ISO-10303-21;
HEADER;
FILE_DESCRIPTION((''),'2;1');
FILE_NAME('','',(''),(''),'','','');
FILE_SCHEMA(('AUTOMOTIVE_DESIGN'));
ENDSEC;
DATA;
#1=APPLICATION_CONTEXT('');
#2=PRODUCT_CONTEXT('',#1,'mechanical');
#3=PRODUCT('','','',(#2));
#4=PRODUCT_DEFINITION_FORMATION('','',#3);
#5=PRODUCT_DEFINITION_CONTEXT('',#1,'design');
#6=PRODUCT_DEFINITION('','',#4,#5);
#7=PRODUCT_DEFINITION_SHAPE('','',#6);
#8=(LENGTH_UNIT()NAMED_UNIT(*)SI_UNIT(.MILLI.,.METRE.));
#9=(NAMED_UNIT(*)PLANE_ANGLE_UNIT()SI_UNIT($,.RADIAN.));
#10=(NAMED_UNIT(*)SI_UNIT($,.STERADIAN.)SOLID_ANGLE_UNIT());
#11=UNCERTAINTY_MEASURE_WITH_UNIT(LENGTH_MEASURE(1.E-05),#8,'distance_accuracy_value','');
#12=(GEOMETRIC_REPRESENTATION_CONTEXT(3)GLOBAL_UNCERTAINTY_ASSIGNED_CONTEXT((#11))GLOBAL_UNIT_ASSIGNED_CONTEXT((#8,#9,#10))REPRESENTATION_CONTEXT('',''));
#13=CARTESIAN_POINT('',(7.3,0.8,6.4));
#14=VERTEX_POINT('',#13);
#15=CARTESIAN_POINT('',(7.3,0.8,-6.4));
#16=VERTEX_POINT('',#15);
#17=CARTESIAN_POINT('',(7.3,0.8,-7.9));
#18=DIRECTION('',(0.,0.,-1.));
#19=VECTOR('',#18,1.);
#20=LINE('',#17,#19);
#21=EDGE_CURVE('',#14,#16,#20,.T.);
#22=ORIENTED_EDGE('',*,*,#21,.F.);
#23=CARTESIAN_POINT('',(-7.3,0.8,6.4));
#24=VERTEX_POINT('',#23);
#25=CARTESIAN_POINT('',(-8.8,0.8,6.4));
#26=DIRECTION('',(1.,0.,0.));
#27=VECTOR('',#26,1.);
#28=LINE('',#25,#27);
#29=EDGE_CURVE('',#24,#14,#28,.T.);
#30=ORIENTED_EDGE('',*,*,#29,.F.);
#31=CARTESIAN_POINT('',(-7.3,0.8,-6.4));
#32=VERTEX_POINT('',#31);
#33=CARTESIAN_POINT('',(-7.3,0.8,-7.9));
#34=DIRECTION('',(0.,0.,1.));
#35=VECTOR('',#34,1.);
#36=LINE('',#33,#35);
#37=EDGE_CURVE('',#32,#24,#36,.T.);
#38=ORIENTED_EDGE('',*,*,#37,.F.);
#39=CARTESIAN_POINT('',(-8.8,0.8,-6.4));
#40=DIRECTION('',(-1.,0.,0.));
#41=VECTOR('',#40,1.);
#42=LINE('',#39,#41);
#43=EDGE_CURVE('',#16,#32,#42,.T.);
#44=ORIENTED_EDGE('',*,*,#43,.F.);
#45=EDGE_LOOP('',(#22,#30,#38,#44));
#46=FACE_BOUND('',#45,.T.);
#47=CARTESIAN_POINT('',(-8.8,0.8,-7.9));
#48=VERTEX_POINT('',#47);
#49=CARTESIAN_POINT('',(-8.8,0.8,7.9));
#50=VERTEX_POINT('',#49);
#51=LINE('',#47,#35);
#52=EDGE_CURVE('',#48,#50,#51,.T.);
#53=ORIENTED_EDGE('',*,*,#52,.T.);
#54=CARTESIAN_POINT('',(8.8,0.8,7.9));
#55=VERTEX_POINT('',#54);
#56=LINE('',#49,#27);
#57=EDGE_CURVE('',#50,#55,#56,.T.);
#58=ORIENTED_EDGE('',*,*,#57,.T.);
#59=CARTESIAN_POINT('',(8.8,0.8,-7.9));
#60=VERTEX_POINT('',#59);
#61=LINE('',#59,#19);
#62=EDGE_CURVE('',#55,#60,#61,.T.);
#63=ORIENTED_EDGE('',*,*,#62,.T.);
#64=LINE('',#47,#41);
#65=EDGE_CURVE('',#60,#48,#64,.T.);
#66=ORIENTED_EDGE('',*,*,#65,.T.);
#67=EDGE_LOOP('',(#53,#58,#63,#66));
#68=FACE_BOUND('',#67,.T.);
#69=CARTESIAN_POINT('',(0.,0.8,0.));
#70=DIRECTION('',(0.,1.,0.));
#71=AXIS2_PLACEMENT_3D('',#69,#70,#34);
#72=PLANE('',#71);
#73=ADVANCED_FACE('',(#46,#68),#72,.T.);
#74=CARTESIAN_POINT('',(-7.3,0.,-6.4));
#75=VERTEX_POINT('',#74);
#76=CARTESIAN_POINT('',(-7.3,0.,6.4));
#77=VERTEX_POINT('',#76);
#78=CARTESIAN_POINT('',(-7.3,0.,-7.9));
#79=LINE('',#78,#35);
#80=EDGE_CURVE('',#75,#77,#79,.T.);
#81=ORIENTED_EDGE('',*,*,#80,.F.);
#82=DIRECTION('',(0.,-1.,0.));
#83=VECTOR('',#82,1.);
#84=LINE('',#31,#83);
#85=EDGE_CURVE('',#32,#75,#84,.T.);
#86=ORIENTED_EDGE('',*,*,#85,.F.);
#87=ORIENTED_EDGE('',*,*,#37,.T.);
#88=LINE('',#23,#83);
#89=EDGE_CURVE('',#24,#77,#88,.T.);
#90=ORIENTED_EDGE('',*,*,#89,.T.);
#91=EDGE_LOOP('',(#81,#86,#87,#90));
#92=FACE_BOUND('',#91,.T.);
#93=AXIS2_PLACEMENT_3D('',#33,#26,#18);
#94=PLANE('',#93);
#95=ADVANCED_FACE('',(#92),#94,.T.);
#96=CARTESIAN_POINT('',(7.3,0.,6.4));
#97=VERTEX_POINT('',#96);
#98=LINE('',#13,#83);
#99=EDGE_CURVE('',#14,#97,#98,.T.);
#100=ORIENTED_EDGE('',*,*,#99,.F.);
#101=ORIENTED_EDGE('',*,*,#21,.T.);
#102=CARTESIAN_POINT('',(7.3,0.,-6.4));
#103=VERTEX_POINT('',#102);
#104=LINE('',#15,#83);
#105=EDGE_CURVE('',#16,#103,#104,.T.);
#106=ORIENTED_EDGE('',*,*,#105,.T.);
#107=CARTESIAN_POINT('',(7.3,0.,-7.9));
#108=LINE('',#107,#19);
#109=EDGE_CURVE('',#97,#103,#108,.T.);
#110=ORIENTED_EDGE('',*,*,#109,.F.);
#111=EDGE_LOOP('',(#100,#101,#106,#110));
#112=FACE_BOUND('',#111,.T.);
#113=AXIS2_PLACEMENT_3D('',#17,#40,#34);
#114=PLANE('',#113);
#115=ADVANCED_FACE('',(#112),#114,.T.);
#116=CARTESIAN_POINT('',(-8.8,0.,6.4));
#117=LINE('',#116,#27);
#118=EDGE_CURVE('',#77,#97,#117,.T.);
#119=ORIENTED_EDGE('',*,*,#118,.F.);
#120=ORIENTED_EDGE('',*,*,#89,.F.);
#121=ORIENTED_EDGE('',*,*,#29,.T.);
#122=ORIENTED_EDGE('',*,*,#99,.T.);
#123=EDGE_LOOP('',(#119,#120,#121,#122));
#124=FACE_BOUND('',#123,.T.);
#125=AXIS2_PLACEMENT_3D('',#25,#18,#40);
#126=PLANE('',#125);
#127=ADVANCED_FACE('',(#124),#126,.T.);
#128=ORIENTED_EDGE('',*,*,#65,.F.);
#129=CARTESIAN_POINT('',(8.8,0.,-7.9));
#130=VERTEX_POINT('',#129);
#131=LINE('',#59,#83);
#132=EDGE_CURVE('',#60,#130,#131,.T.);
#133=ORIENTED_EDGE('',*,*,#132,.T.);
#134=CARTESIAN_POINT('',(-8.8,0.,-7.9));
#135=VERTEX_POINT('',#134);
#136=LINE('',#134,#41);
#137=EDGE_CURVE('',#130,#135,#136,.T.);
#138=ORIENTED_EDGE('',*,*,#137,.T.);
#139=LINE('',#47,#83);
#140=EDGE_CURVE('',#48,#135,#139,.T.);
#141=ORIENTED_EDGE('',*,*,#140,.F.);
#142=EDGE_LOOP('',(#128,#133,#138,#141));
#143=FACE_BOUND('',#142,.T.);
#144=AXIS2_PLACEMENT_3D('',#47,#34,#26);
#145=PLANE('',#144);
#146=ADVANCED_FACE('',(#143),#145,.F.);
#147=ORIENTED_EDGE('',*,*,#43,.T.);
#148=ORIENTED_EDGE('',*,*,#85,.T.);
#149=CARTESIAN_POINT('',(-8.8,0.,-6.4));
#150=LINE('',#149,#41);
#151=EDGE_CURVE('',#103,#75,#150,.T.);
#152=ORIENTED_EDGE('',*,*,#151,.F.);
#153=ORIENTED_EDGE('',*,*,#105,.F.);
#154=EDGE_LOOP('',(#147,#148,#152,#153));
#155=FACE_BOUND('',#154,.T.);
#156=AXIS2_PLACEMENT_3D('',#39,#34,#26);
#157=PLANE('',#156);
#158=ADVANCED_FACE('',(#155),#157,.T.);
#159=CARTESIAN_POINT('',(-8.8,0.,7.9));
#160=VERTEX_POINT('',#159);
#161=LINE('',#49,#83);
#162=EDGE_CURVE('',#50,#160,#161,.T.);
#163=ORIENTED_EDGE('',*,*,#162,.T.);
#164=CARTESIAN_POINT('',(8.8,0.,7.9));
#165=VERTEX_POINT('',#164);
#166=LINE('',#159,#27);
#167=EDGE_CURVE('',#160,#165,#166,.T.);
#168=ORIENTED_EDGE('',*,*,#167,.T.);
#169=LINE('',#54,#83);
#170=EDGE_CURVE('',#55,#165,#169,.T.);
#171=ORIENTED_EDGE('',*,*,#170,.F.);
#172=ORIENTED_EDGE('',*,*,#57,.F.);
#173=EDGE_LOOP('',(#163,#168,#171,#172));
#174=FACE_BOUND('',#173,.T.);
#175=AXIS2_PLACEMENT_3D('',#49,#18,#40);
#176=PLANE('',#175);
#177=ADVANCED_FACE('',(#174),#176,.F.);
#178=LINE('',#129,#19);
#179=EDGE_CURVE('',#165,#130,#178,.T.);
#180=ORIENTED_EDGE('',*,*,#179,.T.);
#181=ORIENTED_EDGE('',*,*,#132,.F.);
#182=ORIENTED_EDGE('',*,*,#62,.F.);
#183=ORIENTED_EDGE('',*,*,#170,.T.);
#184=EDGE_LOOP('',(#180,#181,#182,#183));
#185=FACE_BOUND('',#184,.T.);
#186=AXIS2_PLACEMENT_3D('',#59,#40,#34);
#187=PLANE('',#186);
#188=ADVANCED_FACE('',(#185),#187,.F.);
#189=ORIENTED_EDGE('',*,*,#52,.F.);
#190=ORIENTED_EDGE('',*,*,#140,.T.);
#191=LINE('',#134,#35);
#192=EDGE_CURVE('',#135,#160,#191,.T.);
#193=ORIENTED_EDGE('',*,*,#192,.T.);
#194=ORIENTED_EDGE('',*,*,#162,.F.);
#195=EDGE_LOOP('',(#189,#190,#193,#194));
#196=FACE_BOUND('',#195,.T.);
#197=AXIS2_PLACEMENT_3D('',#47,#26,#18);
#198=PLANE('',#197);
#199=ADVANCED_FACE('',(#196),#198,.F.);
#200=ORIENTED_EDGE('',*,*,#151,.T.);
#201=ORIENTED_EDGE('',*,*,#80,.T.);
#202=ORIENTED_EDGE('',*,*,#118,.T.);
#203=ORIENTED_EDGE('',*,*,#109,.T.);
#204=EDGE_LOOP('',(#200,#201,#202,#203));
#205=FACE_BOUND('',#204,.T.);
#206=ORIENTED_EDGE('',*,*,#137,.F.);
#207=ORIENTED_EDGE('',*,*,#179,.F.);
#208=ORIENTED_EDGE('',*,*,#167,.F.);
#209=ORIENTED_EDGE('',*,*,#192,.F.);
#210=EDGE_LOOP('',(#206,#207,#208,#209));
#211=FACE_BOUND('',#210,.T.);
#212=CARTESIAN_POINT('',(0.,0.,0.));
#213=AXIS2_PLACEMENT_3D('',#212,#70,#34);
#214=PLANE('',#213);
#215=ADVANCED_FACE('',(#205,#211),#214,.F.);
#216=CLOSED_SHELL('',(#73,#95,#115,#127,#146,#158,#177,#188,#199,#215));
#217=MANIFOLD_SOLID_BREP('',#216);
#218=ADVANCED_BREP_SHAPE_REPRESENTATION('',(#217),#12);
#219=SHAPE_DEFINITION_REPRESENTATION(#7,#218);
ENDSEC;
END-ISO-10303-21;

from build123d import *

# Parameters (mm, degrees)
SKETCH1_W           = 17.6
SKETCH1_H           = 15.8
SKETCH1_W_2         = 14.6
SKETCH1_H_2         = 12.8
EXTRUDE_THIN1_DEPTH = 0.8


with BuildPart() as part:
    # Sketch1 → Extrude-Thin1 (new body)
    with BuildSketch(Plane(origin=(0, 0, 0), x_dir=(1, 0, 0), z_dir=(0, 1, 0))):
        Rectangle(SKETCH1_W, SKETCH1_H)
        Rectangle(SKETCH1_W_2, SKETCH1_H_2, mode=Mode.SUBTRACT)
    extrude(amount=EXTRUDE_THIN1_DEPTH)


solid = part.part
